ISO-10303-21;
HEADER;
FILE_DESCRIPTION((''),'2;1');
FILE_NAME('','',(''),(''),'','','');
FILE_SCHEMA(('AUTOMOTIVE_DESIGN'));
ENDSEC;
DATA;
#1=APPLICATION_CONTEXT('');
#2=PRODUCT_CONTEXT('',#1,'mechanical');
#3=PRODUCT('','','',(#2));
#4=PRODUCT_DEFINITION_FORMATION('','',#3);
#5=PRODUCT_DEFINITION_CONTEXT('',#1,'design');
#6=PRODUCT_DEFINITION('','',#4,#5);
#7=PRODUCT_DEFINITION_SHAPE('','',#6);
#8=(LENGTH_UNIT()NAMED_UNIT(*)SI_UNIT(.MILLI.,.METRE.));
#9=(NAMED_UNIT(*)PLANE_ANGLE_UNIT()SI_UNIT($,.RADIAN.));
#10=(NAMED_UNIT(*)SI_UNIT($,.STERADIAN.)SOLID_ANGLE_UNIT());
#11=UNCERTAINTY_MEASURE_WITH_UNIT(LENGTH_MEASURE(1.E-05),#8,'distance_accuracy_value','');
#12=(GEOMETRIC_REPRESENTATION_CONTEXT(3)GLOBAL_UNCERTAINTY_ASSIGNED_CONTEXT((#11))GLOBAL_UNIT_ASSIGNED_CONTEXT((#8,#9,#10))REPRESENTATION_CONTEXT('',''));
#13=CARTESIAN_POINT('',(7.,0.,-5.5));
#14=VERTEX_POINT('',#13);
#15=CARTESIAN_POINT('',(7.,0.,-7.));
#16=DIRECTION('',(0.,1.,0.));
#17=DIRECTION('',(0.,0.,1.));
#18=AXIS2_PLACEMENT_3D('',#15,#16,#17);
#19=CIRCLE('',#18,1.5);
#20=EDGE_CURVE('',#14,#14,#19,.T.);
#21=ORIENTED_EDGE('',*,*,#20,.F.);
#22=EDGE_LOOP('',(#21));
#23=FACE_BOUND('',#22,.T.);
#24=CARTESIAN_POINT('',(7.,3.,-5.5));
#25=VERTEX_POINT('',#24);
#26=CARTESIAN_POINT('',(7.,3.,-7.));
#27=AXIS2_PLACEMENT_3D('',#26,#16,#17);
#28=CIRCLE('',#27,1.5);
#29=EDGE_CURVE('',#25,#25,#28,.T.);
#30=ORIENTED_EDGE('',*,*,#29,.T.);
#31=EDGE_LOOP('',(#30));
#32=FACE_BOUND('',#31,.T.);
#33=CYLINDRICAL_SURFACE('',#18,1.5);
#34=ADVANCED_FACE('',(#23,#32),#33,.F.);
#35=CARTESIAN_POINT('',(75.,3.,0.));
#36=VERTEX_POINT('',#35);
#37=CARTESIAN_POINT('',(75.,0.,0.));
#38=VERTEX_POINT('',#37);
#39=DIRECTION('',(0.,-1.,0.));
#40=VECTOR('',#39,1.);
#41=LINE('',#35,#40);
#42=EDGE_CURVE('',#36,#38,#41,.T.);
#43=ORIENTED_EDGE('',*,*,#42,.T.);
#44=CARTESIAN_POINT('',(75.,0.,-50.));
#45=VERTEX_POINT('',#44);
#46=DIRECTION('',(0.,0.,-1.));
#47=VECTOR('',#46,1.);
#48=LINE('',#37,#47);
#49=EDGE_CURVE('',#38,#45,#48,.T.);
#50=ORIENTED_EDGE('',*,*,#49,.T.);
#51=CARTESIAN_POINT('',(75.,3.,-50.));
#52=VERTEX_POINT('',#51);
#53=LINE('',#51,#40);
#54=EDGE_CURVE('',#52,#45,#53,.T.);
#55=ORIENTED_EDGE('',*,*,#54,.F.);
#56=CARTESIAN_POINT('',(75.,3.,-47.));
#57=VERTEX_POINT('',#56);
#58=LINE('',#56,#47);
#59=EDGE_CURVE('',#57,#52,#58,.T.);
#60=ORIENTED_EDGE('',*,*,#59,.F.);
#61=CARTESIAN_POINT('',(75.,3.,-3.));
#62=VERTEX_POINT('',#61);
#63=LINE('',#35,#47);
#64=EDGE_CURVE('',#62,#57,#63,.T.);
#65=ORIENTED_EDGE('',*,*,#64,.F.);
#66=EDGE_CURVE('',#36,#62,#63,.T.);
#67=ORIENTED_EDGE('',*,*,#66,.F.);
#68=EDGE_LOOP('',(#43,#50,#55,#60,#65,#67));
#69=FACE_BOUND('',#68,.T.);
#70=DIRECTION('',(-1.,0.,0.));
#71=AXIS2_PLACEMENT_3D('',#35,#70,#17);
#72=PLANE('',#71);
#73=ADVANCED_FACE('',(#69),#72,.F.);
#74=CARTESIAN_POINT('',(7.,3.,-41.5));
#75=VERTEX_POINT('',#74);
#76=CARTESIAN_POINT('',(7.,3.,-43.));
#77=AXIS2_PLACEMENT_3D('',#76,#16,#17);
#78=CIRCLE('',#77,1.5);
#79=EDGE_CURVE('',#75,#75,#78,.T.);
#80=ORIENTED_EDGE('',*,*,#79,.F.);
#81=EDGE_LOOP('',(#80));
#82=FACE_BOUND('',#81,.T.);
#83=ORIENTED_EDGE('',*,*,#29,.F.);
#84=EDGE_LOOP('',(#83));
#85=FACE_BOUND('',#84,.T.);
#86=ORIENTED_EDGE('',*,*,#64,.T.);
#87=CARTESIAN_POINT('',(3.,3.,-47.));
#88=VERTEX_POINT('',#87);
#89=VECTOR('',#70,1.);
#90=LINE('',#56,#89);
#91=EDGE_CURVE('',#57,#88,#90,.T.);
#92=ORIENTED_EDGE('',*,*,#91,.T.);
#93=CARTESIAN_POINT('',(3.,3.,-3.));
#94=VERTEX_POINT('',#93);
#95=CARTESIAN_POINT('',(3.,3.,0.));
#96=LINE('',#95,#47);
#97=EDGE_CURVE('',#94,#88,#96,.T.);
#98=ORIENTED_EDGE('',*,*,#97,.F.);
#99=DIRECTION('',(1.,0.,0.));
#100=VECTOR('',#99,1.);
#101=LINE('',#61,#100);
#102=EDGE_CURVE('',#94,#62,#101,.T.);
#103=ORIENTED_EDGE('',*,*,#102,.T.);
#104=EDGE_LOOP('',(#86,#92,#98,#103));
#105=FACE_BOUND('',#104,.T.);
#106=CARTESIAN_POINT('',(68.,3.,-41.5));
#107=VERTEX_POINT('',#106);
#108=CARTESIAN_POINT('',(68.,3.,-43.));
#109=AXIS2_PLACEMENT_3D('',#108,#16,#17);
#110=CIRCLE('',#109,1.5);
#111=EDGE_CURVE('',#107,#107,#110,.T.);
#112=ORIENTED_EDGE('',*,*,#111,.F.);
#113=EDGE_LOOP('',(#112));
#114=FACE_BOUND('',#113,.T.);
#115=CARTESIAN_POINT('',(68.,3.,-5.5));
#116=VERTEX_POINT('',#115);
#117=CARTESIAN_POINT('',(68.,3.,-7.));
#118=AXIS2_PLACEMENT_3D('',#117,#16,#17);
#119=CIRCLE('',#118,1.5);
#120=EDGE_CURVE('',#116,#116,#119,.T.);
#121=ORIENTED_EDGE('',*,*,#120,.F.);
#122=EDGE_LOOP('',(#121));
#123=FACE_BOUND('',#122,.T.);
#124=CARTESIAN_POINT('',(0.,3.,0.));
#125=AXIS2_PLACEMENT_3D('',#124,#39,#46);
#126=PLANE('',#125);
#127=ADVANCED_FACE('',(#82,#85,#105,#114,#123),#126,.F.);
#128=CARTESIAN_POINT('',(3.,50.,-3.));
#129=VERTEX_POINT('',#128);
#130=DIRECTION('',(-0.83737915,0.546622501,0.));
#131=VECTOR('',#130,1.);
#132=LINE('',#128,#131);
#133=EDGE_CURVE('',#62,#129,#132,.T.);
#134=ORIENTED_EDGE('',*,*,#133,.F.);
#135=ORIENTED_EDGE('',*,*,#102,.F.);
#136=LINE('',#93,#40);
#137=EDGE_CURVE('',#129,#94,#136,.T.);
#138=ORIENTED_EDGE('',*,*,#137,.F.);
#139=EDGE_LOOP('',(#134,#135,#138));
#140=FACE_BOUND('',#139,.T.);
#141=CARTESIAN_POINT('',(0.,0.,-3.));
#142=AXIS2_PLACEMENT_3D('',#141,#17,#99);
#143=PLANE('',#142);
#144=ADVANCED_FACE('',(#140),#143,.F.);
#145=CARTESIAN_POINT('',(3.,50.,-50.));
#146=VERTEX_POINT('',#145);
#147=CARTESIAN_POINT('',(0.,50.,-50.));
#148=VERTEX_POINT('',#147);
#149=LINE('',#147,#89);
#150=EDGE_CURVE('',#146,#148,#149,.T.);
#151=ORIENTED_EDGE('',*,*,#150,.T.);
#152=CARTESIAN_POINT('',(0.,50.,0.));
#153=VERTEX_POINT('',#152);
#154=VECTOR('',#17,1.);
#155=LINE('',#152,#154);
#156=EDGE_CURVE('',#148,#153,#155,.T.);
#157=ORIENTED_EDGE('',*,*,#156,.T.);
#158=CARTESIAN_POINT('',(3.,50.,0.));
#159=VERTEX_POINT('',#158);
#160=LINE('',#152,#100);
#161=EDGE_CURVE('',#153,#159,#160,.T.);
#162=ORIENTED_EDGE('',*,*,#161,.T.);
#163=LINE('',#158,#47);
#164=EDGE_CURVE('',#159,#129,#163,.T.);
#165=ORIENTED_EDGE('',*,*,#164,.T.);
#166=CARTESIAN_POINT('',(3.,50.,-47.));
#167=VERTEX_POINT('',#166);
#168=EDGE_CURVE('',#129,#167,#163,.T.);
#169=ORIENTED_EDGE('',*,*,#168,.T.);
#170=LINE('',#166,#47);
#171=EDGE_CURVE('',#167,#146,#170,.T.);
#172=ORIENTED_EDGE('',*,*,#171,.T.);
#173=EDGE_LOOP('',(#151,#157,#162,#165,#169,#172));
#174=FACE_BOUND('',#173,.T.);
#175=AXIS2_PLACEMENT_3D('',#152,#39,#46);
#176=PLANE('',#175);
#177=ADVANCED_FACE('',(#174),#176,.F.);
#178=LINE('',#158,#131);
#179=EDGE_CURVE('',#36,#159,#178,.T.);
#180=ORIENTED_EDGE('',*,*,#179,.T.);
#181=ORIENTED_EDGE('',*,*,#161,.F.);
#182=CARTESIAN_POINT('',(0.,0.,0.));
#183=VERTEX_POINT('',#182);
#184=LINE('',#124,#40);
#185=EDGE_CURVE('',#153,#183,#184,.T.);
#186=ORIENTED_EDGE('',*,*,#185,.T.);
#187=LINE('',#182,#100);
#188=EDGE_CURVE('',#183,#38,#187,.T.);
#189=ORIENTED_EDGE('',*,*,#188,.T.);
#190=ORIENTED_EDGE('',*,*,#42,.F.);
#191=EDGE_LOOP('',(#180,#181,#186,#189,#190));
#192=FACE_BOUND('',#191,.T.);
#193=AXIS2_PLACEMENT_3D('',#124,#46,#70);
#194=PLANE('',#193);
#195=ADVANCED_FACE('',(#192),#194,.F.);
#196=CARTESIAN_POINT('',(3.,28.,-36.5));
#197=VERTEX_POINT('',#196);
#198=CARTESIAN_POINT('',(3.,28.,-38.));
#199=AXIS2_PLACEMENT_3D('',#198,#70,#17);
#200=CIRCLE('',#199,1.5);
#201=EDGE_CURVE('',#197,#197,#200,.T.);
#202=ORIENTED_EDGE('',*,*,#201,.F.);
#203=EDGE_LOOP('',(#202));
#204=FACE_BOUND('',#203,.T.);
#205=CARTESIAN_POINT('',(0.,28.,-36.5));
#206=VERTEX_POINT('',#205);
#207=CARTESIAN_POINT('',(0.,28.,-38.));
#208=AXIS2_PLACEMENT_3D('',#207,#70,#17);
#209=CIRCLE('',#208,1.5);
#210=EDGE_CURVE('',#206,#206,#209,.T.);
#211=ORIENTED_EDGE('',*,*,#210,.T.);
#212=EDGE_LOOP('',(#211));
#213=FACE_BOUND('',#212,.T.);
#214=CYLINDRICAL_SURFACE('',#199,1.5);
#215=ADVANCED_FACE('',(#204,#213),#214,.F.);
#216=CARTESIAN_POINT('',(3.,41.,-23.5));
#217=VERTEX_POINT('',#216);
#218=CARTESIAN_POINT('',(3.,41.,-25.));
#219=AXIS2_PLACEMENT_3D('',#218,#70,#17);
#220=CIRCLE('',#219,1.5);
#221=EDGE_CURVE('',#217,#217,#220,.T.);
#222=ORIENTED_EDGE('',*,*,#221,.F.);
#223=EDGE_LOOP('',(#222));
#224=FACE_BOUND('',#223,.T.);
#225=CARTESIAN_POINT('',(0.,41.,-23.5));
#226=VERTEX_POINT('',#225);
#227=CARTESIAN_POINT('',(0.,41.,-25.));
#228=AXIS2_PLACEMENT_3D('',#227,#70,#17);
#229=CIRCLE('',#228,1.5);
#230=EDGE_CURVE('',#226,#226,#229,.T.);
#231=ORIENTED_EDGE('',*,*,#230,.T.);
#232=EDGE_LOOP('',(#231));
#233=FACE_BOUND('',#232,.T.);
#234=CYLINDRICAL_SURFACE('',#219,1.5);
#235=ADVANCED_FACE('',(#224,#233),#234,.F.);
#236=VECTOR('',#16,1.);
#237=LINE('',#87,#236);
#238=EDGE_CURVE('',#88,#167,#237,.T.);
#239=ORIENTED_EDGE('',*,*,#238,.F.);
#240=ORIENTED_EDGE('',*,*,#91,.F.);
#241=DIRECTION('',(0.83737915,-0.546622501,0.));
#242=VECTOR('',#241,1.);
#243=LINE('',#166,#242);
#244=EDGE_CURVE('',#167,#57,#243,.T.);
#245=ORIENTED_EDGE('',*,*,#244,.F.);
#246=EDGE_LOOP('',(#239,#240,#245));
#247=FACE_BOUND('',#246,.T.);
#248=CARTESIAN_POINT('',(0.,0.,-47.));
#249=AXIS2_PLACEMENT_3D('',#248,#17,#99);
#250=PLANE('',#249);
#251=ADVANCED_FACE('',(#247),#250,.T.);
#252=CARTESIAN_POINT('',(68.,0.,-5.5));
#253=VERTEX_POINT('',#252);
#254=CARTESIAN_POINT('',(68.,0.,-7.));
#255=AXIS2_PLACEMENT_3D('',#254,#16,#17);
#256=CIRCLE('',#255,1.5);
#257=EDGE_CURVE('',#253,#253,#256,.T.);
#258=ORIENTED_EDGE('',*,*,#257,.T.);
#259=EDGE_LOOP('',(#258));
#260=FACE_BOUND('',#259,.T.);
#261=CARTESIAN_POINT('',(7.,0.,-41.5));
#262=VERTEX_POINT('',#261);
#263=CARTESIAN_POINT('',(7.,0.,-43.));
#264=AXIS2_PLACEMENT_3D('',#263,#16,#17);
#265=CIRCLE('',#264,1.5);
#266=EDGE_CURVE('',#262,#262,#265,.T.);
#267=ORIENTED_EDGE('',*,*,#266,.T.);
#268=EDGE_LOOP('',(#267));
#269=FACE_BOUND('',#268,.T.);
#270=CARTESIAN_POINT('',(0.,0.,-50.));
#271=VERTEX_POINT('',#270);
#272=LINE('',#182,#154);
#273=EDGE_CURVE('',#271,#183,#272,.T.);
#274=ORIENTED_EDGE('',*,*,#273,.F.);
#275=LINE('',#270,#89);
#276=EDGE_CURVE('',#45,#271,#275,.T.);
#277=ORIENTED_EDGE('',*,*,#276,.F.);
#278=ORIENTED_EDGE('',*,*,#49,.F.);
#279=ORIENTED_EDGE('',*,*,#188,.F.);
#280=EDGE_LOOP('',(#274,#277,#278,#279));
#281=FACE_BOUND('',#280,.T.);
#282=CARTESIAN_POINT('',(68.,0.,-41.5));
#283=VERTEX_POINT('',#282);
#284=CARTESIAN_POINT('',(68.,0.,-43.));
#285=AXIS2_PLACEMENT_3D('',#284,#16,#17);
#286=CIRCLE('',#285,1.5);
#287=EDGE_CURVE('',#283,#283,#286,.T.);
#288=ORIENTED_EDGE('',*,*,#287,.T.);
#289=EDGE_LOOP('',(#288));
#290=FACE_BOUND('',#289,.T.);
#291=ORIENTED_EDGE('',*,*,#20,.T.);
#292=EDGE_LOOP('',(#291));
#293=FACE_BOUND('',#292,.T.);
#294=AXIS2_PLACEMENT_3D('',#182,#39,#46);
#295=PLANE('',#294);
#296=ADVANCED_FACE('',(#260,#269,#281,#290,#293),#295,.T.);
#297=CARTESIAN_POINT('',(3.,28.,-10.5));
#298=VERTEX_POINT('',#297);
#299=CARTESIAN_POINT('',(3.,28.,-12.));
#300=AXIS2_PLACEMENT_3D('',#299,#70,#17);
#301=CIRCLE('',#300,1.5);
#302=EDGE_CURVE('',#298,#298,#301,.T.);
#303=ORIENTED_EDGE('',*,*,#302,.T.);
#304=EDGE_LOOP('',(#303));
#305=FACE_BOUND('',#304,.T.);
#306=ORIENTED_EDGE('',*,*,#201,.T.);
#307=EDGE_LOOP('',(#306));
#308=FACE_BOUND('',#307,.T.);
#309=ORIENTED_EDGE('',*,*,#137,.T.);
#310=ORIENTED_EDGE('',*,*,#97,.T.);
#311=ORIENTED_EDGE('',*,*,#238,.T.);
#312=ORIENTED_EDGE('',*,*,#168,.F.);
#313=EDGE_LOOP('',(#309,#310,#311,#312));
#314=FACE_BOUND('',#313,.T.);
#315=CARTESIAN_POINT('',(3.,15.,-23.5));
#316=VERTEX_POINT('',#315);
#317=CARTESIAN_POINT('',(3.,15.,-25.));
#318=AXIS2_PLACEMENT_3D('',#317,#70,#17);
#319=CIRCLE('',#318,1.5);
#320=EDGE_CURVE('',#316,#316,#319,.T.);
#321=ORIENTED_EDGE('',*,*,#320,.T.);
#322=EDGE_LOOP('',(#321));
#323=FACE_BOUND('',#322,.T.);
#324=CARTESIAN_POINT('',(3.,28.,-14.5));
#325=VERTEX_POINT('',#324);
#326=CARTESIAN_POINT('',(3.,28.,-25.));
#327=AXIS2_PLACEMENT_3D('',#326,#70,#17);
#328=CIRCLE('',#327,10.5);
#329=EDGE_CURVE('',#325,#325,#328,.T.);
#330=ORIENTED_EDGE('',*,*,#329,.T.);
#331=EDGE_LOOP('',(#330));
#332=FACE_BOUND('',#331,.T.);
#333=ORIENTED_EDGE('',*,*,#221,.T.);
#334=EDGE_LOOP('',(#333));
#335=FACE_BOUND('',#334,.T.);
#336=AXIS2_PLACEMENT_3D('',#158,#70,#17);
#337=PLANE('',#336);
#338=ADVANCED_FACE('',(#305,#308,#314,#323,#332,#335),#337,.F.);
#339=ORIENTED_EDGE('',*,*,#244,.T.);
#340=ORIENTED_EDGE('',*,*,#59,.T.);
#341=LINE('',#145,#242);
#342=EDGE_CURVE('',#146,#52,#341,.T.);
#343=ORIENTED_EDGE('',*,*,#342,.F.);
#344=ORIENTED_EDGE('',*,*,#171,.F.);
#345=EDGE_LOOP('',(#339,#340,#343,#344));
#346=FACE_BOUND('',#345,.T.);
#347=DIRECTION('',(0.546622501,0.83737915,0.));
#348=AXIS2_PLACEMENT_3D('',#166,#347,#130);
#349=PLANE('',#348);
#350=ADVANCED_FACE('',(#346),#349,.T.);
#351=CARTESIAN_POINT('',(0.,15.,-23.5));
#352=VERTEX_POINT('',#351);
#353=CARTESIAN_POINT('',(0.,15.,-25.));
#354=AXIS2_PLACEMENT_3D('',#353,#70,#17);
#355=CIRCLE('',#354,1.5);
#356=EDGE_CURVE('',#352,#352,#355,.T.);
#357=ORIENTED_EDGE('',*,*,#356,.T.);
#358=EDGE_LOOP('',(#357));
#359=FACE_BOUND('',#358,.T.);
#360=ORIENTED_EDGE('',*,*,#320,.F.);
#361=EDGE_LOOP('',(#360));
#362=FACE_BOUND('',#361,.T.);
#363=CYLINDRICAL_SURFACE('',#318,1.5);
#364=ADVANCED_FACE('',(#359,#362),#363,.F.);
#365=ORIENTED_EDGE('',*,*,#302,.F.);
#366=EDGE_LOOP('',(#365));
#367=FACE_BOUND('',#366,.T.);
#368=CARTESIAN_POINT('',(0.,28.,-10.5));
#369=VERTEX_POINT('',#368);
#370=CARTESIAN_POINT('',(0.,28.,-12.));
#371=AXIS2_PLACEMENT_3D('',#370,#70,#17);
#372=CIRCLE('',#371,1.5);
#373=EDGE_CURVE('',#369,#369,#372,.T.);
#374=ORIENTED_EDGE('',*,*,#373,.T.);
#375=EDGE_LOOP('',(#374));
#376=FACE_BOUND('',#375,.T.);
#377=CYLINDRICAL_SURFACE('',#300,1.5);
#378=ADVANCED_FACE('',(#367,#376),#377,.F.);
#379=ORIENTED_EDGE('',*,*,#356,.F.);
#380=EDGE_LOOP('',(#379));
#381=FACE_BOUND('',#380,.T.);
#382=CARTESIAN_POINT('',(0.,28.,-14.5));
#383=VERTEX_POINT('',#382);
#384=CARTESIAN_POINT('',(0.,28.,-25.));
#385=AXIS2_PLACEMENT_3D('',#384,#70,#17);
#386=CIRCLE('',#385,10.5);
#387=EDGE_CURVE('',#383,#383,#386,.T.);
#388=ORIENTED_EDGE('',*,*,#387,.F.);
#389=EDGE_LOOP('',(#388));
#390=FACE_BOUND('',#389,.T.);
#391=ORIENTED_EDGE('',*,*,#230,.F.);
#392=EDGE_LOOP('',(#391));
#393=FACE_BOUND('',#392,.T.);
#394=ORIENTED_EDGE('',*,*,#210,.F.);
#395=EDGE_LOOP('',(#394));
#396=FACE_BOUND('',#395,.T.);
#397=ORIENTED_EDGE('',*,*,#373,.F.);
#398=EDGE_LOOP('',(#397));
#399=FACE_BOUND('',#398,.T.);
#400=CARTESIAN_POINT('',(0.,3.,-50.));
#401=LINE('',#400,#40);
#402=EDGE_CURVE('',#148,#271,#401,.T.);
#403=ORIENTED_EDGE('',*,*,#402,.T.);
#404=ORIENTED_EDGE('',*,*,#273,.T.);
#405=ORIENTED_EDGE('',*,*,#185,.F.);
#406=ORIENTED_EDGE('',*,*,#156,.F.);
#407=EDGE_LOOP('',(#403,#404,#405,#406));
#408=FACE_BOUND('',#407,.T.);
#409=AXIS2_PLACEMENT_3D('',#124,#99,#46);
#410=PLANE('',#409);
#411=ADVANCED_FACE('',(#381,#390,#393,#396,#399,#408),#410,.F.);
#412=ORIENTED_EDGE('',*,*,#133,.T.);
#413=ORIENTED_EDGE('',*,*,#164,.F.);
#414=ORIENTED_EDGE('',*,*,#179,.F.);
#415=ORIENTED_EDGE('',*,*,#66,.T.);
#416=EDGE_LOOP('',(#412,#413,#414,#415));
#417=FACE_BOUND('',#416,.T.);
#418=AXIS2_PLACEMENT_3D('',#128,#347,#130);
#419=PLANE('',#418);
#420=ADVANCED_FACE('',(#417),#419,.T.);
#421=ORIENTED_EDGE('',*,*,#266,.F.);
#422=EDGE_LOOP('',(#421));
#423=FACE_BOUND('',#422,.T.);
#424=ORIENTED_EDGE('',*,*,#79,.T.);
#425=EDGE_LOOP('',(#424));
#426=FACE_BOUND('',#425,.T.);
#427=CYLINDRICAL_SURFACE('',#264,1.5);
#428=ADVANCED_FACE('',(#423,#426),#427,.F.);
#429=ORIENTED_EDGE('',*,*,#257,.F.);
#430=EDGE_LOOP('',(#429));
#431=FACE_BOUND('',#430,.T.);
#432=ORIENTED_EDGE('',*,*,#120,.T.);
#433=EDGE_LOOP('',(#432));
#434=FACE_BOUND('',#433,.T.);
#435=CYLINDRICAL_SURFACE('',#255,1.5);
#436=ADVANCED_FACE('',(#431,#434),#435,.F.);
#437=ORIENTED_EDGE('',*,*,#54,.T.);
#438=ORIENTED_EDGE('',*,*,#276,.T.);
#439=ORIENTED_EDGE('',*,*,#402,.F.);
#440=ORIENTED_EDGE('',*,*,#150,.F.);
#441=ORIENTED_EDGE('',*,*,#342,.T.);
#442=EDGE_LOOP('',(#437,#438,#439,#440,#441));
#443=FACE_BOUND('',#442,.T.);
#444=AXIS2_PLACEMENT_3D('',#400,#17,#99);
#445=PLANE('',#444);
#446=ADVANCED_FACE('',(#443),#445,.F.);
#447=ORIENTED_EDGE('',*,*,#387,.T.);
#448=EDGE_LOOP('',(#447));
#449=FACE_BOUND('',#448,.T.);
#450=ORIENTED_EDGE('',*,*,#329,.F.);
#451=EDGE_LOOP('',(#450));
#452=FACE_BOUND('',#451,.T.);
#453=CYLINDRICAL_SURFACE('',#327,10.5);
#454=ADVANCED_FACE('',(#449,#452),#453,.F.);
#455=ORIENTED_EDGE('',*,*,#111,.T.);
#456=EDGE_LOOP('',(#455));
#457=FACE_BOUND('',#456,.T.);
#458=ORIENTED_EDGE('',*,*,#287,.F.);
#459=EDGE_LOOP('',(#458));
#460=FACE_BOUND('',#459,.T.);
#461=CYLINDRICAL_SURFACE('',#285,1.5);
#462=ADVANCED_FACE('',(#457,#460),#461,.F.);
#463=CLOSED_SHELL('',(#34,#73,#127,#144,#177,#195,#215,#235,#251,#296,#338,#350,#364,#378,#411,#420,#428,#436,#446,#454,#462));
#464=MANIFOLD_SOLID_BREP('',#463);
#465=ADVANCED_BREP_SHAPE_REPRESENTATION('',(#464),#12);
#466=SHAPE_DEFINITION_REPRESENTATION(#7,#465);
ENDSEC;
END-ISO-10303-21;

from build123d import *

# Parameters (mm, degrees)
ESQUISSE1_W             = 75
ESQUISSE1_H             = 50
BOSS_EXTRU_1_DEPTH      = 3
ESQUISSE2_W             = 3
ESQUISSE2_H             = 50
BOSS_EXTRU_2_DEPTH      = 47
ESQUISSE3_R             = 10.5
ESQUISSE3_R_2           = 1.5
ENL_V_MAT_EXTRU_1_DEPTH = 3
BOSS_EXTRU_3_DEPTH      = 3
BOSS_EXTRU_4_DEPTH      = 3
ESQUISSE6_R             = 1.5
ENL_V_MAT_EXTRU_2_DEPTH = 3


with BuildPart() as part:
    # Esquisse1 → Boss.-Extru.1 (new body)
    with BuildSketch(Plane(origin=(0, 0, 0), x_dir=(1, 0, 0), z_dir=(0, 1, 0))):
        with Locations((37.5, 25)):
            Rectangle(ESQUISSE1_W, ESQUISSE1_H)
    extrude(amount=BOSS_EXTRU_1_DEPTH)

    # Esquisse2 → Boss.-Extru.2 (add)
    with BuildSketch(Plane(origin=(0, 3, 0), x_dir=(1, 0, 0), z_dir=(0, 1, 0))):
        with Locations((1.5, 25)):
            Rectangle(ESQUISSE2_W, ESQUISSE2_H)
    extrude(amount=BOSS_EXTRU_2_DEPTH)

    # Esquisse3 → Enlèv. mat.-Extru.1 (cut)
    with BuildSketch(Plane.ZY):
        with Locations((-25, 28)):
            Circle(ESQUISSE3_R)
        with Locations((-12, 28)):
            Circle(ESQUISSE3_R_2)
        with Locations((-25, 15)):
            Circle(ESQUISSE3_R_2)
        with Locations((-38, 28)):
            Circle(ESQUISSE3_R_2)
        with Locations((-25, 41)):
            Circle(ESQUISSE3_R_2)
    extrude(amount=-ENL_V_MAT_EXTRU_1_DEPTH, mode=Mode.SUBTRACT)

    # Esquisse4 → Boss.-Extru.3 (add)
    with BuildSketch(Plane.XY):
        Polygon((3, 50), (75, 3), (3, 3), align=None)
    extrude(amount=-BOSS_EXTRU_3_DEPTH)

    # Esquisse5 → Boss.-Extru.4 (add)
    with BuildSketch(Plane(origin=(0, 0, -50), x_dir=(-1, 0, 0), z_dir=(0, 0, -1))):
        Polygon((-75, 3), (-3, 3), (-3, 50), align=None)
    extrude(amount=-BOSS_EXTRU_4_DEPTH)

    # Esquisse6 → Enlèv. mat.-Extru.2 (cut)
    with BuildSketch(Plane(origin=(0, 3, 0), x_dir=(1, 0, 0), z_dir=(0, 1, 0))):
        with Locations(Location((7, 43, 0), (0, 0, 270))):
            Circle(ESQUISSE6_R)
        with Locations(Location((68, 43, 0), (0, 0, 270))):
            Circle(ESQUISSE6_R)
        with Locations(Location((68, 7, 0), (0, 0, 270))):
            Circle(ESQUISSE6_R)
        with Locations(Location((7, 7, 0), (0, 0, 270))):
            Circle(ESQUISSE6_R)
    extrude(amount=-ENL_V_MAT_EXTRU_2_DEPTH, mode=Mode.SUBTRACT)


solid = part.part
